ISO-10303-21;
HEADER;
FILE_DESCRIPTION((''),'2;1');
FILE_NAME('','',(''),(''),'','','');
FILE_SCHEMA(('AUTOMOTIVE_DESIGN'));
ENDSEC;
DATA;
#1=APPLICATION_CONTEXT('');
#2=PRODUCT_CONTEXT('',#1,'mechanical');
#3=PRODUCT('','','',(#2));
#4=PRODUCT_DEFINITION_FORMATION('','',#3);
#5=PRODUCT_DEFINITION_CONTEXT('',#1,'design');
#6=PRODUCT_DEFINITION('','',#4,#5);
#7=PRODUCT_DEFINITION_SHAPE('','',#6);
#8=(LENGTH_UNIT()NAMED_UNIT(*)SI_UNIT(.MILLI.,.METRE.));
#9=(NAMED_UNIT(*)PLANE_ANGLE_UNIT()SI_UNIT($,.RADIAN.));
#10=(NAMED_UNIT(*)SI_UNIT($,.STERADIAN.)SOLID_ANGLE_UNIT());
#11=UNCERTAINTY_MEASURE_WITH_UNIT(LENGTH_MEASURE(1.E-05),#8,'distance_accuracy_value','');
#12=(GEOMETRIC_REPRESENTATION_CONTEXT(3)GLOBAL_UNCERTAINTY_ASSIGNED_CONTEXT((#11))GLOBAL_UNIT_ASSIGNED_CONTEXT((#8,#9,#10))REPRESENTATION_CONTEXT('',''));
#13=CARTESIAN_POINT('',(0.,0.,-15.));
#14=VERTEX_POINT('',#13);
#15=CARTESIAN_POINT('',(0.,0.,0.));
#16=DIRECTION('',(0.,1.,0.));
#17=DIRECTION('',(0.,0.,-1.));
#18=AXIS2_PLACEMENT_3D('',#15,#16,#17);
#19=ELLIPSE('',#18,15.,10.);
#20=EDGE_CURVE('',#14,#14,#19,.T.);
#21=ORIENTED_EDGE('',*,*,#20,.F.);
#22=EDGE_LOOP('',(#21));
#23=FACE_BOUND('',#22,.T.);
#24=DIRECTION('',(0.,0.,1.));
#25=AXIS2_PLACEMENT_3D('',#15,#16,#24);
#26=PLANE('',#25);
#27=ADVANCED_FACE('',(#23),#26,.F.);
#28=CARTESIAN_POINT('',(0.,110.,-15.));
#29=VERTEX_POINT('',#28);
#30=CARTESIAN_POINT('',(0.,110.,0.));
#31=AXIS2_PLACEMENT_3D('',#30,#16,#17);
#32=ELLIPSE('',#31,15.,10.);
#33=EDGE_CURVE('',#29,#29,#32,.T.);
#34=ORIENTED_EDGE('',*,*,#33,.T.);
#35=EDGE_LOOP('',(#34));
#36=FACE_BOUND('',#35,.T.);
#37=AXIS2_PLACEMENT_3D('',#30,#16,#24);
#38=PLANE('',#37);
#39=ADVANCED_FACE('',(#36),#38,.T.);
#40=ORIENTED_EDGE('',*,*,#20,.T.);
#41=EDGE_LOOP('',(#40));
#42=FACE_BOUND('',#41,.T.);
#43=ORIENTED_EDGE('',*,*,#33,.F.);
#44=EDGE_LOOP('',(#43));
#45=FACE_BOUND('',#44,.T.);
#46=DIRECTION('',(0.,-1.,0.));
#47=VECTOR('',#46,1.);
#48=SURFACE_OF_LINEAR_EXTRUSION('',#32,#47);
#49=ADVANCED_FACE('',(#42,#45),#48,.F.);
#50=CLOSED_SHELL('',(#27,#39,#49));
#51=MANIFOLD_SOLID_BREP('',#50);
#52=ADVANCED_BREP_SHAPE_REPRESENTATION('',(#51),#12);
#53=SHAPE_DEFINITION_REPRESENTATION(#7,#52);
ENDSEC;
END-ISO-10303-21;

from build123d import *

# Parameters (mm, degrees)
SKETCH2_RX          = 15
SKETCH2_RY          = 10
BOSS_EXTRUDE1_DEPTH = 110


with BuildPart() as part:
    # Sketch2 → Boss-Extrude1 (new body)
    with BuildSketch(Plane(origin=(0, 0, 0), x_dir=(1, 0, 0), z_dir=(0, 1, 0))):
        with Locations(Location((0, 0), (0, 0, 90))):
            Ellipse(SKETCH2_RX, SKETCH2_RY)
    extrude(amount=BOSS_EXTRUDE1_DEPTH)


solid = part.part
